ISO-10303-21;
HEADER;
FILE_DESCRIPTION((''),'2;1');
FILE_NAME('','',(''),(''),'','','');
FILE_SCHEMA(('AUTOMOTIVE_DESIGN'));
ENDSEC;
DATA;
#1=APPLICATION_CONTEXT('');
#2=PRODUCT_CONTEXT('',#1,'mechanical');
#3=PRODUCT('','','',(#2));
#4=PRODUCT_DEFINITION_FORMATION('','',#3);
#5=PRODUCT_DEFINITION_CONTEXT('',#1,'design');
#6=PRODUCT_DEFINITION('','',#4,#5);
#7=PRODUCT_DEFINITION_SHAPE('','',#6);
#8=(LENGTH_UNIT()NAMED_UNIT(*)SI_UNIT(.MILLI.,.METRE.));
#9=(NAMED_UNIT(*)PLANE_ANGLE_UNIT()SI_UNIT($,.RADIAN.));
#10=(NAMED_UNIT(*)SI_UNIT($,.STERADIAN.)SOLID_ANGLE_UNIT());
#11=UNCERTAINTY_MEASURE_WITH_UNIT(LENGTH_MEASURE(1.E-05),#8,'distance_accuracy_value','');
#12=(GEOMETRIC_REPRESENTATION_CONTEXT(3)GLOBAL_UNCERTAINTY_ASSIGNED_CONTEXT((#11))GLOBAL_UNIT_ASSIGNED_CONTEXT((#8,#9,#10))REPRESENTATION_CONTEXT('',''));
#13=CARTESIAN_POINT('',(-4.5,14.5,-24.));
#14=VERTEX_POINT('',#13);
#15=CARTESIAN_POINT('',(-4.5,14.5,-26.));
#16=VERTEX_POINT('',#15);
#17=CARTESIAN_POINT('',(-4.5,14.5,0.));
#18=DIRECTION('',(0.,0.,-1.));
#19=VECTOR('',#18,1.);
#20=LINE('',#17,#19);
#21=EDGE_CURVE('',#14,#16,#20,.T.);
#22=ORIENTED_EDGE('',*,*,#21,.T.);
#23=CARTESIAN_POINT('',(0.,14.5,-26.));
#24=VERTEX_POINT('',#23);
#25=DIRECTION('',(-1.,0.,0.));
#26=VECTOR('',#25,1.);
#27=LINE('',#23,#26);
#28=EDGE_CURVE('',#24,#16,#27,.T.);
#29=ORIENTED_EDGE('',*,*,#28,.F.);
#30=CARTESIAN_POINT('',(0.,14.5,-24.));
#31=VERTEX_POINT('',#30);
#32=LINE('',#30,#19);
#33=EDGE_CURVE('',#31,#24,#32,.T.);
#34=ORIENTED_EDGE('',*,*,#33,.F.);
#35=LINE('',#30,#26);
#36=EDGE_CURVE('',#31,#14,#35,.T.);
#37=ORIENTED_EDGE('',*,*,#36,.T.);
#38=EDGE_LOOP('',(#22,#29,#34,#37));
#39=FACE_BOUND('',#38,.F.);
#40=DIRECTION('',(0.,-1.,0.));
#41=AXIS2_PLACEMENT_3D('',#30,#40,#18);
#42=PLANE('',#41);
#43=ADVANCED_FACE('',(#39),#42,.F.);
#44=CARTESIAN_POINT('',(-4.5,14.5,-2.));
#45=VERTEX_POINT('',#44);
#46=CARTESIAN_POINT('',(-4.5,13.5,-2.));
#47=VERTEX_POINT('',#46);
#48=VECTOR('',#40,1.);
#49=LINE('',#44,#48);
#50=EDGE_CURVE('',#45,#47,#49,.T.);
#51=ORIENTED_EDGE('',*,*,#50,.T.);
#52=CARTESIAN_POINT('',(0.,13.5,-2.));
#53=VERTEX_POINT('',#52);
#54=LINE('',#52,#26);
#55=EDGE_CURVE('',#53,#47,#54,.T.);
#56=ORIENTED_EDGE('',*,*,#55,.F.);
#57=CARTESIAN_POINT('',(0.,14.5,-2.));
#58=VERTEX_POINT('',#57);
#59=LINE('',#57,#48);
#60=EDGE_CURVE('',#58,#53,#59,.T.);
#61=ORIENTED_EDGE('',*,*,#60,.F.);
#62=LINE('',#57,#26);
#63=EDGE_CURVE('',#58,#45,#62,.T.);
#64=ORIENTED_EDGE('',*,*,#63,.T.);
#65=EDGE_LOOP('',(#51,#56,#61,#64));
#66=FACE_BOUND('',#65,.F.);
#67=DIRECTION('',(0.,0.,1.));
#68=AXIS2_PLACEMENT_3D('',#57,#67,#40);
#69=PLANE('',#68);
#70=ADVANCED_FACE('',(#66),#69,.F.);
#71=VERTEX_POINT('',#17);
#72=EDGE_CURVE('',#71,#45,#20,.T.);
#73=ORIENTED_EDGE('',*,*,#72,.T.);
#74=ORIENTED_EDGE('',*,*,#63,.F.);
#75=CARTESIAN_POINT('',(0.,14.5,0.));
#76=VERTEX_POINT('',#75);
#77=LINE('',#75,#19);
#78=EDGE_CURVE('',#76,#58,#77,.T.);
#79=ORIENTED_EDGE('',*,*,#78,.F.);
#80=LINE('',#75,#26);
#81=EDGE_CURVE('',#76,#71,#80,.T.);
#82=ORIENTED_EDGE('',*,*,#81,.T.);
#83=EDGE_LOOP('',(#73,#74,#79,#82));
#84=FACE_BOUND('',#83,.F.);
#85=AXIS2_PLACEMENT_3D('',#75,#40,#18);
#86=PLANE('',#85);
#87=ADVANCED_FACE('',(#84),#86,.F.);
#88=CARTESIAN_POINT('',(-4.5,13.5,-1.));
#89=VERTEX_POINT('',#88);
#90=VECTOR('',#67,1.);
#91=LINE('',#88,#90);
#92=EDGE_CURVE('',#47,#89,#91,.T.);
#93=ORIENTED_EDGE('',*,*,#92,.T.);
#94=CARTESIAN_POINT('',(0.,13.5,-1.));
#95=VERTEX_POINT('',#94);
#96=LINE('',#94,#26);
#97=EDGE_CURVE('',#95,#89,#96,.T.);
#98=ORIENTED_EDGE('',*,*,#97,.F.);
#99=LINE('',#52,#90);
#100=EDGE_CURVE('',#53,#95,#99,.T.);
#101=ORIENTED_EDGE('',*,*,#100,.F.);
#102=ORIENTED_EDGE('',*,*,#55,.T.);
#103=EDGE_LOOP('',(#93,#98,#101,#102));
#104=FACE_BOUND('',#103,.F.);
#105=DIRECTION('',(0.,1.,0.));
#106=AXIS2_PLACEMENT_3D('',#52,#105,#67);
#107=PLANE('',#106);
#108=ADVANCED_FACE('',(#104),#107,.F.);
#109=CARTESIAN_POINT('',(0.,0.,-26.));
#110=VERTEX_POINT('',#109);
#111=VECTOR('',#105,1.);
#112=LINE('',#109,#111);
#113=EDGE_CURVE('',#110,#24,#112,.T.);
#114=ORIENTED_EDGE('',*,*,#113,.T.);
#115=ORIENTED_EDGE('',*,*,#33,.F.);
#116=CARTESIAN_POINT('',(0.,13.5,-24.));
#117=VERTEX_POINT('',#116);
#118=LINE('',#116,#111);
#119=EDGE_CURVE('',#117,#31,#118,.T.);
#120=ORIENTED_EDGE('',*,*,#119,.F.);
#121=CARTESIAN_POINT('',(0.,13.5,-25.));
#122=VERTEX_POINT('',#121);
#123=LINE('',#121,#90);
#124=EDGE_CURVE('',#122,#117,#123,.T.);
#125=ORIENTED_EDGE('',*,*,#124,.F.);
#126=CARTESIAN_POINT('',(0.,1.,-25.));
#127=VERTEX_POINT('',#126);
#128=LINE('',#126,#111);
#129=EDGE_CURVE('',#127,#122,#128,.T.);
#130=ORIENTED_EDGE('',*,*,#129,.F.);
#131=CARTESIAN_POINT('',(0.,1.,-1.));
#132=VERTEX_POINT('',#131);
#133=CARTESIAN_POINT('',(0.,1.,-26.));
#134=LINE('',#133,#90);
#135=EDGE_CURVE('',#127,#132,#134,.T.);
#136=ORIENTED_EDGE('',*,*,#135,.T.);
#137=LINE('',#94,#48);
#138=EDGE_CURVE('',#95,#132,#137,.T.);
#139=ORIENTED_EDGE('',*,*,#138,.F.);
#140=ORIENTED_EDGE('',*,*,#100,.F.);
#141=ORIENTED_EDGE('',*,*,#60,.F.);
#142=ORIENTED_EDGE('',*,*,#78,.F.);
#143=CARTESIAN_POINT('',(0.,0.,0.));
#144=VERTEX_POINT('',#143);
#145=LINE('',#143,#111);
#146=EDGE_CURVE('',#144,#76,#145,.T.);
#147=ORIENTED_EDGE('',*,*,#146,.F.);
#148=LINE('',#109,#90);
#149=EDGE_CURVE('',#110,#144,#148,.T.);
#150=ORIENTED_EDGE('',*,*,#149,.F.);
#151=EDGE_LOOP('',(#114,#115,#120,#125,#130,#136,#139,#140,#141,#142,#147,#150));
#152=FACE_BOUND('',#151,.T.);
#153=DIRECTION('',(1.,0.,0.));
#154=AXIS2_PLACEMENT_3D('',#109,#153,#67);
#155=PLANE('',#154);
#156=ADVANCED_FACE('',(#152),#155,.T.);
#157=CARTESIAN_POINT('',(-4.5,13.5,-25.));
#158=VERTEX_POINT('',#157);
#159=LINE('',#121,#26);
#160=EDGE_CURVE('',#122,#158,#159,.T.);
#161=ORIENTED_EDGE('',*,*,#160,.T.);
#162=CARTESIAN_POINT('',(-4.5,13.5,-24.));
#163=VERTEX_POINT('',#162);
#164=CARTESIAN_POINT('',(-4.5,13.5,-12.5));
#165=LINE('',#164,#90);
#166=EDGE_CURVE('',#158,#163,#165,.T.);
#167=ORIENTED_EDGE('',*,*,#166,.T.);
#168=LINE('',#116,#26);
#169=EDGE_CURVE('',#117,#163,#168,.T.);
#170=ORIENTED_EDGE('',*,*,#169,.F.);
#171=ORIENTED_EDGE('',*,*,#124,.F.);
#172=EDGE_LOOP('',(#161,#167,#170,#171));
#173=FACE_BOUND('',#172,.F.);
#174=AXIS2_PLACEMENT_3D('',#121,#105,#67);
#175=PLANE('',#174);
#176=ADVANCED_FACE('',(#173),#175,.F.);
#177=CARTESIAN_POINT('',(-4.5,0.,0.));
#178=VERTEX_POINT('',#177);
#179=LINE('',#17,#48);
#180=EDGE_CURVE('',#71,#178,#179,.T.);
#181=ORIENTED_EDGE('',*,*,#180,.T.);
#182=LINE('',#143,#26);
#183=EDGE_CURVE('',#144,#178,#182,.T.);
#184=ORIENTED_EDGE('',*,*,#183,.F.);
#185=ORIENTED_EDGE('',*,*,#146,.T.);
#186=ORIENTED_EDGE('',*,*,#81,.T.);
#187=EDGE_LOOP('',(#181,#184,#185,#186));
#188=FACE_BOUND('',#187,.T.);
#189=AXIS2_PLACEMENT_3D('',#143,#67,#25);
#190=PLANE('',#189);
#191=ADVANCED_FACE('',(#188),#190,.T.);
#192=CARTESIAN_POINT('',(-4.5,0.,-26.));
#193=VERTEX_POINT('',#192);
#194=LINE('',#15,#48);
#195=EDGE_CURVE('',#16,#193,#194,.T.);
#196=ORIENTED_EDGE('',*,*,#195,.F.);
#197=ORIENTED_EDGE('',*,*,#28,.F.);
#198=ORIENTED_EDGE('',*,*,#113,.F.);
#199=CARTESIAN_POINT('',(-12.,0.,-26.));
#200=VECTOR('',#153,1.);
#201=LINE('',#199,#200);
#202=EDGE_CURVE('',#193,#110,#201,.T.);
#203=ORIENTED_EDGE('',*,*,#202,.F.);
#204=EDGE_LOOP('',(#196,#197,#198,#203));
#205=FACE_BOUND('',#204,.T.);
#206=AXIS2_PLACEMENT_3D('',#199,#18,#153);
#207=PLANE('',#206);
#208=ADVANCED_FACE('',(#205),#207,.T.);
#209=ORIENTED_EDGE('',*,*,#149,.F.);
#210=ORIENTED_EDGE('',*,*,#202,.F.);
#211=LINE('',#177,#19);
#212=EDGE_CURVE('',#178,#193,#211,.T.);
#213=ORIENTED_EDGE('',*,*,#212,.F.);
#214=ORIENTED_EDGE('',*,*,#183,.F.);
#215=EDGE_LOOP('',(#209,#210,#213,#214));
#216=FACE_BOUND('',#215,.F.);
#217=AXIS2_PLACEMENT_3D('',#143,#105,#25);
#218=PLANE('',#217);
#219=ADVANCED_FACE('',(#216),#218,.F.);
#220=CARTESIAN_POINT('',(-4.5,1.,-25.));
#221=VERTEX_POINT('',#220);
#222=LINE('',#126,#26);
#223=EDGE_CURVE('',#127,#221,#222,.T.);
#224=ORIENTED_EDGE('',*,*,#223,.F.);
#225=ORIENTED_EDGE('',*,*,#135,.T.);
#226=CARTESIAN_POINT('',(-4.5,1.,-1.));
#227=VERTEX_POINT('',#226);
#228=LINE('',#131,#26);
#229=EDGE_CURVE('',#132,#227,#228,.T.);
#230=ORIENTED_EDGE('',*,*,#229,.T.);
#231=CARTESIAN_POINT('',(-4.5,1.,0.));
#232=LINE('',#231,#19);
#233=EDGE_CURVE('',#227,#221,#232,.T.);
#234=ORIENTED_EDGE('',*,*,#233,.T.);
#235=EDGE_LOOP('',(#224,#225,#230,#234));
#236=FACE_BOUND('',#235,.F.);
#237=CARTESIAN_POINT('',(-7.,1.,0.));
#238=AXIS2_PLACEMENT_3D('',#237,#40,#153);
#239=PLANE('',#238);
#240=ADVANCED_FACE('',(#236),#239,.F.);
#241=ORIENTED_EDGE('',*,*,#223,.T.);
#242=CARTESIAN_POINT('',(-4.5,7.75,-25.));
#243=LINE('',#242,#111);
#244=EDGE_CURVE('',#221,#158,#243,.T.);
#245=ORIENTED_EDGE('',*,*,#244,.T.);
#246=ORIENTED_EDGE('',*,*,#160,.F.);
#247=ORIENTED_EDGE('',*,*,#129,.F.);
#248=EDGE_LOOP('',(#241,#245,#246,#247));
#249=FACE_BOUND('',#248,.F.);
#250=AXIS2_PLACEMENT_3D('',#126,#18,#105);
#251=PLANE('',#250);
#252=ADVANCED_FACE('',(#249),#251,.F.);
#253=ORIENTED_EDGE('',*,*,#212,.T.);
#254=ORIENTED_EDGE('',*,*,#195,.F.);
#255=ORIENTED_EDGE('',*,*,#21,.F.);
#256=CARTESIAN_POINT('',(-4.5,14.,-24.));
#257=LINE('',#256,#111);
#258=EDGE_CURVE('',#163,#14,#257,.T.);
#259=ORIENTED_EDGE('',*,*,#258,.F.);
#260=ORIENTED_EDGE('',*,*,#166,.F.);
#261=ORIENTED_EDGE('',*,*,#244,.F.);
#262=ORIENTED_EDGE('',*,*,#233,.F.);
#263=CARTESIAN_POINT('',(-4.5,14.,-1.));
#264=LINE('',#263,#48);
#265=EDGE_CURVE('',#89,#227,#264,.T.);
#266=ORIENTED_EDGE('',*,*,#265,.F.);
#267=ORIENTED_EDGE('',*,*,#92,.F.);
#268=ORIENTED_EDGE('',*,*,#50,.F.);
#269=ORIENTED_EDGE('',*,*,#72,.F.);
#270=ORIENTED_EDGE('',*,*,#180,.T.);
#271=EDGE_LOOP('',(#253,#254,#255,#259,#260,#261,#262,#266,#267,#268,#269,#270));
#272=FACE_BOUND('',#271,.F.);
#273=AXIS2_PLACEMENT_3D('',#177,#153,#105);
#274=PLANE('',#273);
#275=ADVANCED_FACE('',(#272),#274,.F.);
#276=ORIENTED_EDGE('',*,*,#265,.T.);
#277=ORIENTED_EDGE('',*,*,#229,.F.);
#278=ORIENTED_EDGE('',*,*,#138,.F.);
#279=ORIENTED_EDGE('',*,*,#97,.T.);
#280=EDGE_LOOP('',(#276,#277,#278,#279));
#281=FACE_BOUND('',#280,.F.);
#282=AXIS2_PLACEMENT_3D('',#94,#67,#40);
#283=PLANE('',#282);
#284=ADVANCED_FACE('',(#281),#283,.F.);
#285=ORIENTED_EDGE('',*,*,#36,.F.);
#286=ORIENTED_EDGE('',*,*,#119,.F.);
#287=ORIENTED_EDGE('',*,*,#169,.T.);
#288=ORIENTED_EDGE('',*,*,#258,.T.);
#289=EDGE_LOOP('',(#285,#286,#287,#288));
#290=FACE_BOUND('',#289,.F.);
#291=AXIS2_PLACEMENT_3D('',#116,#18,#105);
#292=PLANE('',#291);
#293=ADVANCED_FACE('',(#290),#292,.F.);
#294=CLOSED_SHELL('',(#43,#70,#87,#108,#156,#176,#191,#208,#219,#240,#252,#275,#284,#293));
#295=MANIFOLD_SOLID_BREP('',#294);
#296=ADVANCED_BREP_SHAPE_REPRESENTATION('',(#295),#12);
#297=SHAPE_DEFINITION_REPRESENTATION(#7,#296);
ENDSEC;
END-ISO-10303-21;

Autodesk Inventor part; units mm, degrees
ref_plane "YZ Plane" through (0, 0, 0) normal (1, 0, 0) x (0, 1, 0)
ref_plane "XZ Plane" through (0, 0, 0) normal (0, 1, 0) x (-1, 0, 0)
ref_plane "XY Plane" through (0, 0, 0) normal (0, 0, 1) x (1, 0, 0)
sketch "Skizze1" plane through (0, 0, 0) normal (0, 1, 0) x (-1, 0, 0)
  line L0 (0, 0) -> (12, 0)
  line L1 (12, 0) -> (12, -26)
  line L2 (12, -26) -> (0, -26)
  line L3 (0, -26) -> (0, 0)
  dimension "d0" = 12
  dimension "d1" = 26
extrude "Extrusion1" add sketch "Skizze1" along normal blind 1
sketch "Skizze2" plane through (0, 0, 0) normal (1, 0, 0) x (0, 0, -1)
  line L0 (26, 1) -> (0, 1) projected
  line L1 (0, 1) -> (0, 14.5)
  line L2 (0, 1) -> (13.5, 1) construction
  line L3 (0, 14.5) -> (2, 14.5)
  line L4 (2, 14.5) -> (2, 13.5)
  line L5 (2, 13.5) -> (1, 13.5)
  line L6 (1, 13.5) -> (1, 1)
  line L7 (0, 1) -> (1, 1)
  line L8 (24, 14.5) -> (26, 14.5)
  line L9 (26, 14.5) -> (26, 1)
  line L10 (26, 1) -> (25, 1)
  line L11 (25, 1) -> (25, 13.5)
  line L12 (25, 13.5) -> (24, 13.5)
  line L13 (24, 13.5) -> (24, 14.5)
  line L14 (25, 1) -> (26, 1)
  line L15 (26, 0) -> (26, 1) projected
  point P0 (0, 0)
  dimension "d4" = 13.5
  dimension "d5" = 90
  dimension "d6" = 2
  dimension "d7" = 1
  dimension "d8" = 1
  dimension "d9" = 2
  dimension "d10" = 24
  dimension "d11" = 1
  dimension "d12" = 13.5
  dimension "d13" = 0
extrude "Extrusion2" add sketch "Skizze2" against normal blind 12
sketch "Skizze3" plane through (-12, 0, 0) normal (0, 0, 1) x (1, 0, 0)
  line L0 (0, 0) -> (0, 14.5) projected
  line L1 (0, 0) -> (4, 0)
  line L2 (4, 0) -> (4, 1)
  line L3 (4, 1) -> (0, 1)
  line L4 (0, 1) -> (0, 0)
  line L5 (12, 14.5) -> (0, 14.5) projected
  line L6 (5, 14.5) -> (7.5, 14.5)
  line L7 (7.5, 14.5) -> (7.5, 1)
  line L8 (5, 14.5) -> (5, 1)
  line L9 (5, 1) -> (7.5, 1)
  line L10 (12, 0) -> (12, 14.5) projected
  dimension "d16" = 4
  dimension "d17" = 1
  dimension "d18" = 2.5
  dimension "d19" = 13.5
  dimension "d20" = 13.5
  dimension "d21" = 2.5
  dimension "d22" = 90
  dimension "d23" = 4.5
extrude "Extrusion3" cut sketch "Skizze3" against normal blind 26.5
sketch "Skizze4" plane through (0, 0, 0) normal (0, 0, 1) x (1, 0, 0)
  line L0 (-4.5, 1) -> (-4.5, 14.5) projected
  line L1 (-4.5, 14.5) -> (-16.7717, 14.5)
  line L2 (-16.7717, 14.5) -> (-16.7717, 0)
  line L3 (-16.7717, 0) -> (-4.5, 0)
  line L4 (-4.5, 0) -> (-4.5, 14.5)
  point P0 (0, 0)
extrude "Extrusion4" cut sketch "Skizze4" against normal blind 26.5
equation "\"Biegeradius\" = Stärke"
equation "\"BreiteBiegungsfreistellung\" = Stärke"
equation "\"TiefeBiegungsfreistellung\" = 0.5 * Stärke"
equation "\"GrößeEckenfreistellung\" = 4 * Stärke"
equation "\"MinimalRest\" = 2 * Stärke"
equation "\"Übergangsradius\" = Biegeradius"
equation "\"JacobiRadiusGröße\" = Biegeradius"
equation "\"Abstandsgröße\" = Stärke"
equation "\"Stärke\" = 0.5"
properties part number "ServoHalterung_unten"
